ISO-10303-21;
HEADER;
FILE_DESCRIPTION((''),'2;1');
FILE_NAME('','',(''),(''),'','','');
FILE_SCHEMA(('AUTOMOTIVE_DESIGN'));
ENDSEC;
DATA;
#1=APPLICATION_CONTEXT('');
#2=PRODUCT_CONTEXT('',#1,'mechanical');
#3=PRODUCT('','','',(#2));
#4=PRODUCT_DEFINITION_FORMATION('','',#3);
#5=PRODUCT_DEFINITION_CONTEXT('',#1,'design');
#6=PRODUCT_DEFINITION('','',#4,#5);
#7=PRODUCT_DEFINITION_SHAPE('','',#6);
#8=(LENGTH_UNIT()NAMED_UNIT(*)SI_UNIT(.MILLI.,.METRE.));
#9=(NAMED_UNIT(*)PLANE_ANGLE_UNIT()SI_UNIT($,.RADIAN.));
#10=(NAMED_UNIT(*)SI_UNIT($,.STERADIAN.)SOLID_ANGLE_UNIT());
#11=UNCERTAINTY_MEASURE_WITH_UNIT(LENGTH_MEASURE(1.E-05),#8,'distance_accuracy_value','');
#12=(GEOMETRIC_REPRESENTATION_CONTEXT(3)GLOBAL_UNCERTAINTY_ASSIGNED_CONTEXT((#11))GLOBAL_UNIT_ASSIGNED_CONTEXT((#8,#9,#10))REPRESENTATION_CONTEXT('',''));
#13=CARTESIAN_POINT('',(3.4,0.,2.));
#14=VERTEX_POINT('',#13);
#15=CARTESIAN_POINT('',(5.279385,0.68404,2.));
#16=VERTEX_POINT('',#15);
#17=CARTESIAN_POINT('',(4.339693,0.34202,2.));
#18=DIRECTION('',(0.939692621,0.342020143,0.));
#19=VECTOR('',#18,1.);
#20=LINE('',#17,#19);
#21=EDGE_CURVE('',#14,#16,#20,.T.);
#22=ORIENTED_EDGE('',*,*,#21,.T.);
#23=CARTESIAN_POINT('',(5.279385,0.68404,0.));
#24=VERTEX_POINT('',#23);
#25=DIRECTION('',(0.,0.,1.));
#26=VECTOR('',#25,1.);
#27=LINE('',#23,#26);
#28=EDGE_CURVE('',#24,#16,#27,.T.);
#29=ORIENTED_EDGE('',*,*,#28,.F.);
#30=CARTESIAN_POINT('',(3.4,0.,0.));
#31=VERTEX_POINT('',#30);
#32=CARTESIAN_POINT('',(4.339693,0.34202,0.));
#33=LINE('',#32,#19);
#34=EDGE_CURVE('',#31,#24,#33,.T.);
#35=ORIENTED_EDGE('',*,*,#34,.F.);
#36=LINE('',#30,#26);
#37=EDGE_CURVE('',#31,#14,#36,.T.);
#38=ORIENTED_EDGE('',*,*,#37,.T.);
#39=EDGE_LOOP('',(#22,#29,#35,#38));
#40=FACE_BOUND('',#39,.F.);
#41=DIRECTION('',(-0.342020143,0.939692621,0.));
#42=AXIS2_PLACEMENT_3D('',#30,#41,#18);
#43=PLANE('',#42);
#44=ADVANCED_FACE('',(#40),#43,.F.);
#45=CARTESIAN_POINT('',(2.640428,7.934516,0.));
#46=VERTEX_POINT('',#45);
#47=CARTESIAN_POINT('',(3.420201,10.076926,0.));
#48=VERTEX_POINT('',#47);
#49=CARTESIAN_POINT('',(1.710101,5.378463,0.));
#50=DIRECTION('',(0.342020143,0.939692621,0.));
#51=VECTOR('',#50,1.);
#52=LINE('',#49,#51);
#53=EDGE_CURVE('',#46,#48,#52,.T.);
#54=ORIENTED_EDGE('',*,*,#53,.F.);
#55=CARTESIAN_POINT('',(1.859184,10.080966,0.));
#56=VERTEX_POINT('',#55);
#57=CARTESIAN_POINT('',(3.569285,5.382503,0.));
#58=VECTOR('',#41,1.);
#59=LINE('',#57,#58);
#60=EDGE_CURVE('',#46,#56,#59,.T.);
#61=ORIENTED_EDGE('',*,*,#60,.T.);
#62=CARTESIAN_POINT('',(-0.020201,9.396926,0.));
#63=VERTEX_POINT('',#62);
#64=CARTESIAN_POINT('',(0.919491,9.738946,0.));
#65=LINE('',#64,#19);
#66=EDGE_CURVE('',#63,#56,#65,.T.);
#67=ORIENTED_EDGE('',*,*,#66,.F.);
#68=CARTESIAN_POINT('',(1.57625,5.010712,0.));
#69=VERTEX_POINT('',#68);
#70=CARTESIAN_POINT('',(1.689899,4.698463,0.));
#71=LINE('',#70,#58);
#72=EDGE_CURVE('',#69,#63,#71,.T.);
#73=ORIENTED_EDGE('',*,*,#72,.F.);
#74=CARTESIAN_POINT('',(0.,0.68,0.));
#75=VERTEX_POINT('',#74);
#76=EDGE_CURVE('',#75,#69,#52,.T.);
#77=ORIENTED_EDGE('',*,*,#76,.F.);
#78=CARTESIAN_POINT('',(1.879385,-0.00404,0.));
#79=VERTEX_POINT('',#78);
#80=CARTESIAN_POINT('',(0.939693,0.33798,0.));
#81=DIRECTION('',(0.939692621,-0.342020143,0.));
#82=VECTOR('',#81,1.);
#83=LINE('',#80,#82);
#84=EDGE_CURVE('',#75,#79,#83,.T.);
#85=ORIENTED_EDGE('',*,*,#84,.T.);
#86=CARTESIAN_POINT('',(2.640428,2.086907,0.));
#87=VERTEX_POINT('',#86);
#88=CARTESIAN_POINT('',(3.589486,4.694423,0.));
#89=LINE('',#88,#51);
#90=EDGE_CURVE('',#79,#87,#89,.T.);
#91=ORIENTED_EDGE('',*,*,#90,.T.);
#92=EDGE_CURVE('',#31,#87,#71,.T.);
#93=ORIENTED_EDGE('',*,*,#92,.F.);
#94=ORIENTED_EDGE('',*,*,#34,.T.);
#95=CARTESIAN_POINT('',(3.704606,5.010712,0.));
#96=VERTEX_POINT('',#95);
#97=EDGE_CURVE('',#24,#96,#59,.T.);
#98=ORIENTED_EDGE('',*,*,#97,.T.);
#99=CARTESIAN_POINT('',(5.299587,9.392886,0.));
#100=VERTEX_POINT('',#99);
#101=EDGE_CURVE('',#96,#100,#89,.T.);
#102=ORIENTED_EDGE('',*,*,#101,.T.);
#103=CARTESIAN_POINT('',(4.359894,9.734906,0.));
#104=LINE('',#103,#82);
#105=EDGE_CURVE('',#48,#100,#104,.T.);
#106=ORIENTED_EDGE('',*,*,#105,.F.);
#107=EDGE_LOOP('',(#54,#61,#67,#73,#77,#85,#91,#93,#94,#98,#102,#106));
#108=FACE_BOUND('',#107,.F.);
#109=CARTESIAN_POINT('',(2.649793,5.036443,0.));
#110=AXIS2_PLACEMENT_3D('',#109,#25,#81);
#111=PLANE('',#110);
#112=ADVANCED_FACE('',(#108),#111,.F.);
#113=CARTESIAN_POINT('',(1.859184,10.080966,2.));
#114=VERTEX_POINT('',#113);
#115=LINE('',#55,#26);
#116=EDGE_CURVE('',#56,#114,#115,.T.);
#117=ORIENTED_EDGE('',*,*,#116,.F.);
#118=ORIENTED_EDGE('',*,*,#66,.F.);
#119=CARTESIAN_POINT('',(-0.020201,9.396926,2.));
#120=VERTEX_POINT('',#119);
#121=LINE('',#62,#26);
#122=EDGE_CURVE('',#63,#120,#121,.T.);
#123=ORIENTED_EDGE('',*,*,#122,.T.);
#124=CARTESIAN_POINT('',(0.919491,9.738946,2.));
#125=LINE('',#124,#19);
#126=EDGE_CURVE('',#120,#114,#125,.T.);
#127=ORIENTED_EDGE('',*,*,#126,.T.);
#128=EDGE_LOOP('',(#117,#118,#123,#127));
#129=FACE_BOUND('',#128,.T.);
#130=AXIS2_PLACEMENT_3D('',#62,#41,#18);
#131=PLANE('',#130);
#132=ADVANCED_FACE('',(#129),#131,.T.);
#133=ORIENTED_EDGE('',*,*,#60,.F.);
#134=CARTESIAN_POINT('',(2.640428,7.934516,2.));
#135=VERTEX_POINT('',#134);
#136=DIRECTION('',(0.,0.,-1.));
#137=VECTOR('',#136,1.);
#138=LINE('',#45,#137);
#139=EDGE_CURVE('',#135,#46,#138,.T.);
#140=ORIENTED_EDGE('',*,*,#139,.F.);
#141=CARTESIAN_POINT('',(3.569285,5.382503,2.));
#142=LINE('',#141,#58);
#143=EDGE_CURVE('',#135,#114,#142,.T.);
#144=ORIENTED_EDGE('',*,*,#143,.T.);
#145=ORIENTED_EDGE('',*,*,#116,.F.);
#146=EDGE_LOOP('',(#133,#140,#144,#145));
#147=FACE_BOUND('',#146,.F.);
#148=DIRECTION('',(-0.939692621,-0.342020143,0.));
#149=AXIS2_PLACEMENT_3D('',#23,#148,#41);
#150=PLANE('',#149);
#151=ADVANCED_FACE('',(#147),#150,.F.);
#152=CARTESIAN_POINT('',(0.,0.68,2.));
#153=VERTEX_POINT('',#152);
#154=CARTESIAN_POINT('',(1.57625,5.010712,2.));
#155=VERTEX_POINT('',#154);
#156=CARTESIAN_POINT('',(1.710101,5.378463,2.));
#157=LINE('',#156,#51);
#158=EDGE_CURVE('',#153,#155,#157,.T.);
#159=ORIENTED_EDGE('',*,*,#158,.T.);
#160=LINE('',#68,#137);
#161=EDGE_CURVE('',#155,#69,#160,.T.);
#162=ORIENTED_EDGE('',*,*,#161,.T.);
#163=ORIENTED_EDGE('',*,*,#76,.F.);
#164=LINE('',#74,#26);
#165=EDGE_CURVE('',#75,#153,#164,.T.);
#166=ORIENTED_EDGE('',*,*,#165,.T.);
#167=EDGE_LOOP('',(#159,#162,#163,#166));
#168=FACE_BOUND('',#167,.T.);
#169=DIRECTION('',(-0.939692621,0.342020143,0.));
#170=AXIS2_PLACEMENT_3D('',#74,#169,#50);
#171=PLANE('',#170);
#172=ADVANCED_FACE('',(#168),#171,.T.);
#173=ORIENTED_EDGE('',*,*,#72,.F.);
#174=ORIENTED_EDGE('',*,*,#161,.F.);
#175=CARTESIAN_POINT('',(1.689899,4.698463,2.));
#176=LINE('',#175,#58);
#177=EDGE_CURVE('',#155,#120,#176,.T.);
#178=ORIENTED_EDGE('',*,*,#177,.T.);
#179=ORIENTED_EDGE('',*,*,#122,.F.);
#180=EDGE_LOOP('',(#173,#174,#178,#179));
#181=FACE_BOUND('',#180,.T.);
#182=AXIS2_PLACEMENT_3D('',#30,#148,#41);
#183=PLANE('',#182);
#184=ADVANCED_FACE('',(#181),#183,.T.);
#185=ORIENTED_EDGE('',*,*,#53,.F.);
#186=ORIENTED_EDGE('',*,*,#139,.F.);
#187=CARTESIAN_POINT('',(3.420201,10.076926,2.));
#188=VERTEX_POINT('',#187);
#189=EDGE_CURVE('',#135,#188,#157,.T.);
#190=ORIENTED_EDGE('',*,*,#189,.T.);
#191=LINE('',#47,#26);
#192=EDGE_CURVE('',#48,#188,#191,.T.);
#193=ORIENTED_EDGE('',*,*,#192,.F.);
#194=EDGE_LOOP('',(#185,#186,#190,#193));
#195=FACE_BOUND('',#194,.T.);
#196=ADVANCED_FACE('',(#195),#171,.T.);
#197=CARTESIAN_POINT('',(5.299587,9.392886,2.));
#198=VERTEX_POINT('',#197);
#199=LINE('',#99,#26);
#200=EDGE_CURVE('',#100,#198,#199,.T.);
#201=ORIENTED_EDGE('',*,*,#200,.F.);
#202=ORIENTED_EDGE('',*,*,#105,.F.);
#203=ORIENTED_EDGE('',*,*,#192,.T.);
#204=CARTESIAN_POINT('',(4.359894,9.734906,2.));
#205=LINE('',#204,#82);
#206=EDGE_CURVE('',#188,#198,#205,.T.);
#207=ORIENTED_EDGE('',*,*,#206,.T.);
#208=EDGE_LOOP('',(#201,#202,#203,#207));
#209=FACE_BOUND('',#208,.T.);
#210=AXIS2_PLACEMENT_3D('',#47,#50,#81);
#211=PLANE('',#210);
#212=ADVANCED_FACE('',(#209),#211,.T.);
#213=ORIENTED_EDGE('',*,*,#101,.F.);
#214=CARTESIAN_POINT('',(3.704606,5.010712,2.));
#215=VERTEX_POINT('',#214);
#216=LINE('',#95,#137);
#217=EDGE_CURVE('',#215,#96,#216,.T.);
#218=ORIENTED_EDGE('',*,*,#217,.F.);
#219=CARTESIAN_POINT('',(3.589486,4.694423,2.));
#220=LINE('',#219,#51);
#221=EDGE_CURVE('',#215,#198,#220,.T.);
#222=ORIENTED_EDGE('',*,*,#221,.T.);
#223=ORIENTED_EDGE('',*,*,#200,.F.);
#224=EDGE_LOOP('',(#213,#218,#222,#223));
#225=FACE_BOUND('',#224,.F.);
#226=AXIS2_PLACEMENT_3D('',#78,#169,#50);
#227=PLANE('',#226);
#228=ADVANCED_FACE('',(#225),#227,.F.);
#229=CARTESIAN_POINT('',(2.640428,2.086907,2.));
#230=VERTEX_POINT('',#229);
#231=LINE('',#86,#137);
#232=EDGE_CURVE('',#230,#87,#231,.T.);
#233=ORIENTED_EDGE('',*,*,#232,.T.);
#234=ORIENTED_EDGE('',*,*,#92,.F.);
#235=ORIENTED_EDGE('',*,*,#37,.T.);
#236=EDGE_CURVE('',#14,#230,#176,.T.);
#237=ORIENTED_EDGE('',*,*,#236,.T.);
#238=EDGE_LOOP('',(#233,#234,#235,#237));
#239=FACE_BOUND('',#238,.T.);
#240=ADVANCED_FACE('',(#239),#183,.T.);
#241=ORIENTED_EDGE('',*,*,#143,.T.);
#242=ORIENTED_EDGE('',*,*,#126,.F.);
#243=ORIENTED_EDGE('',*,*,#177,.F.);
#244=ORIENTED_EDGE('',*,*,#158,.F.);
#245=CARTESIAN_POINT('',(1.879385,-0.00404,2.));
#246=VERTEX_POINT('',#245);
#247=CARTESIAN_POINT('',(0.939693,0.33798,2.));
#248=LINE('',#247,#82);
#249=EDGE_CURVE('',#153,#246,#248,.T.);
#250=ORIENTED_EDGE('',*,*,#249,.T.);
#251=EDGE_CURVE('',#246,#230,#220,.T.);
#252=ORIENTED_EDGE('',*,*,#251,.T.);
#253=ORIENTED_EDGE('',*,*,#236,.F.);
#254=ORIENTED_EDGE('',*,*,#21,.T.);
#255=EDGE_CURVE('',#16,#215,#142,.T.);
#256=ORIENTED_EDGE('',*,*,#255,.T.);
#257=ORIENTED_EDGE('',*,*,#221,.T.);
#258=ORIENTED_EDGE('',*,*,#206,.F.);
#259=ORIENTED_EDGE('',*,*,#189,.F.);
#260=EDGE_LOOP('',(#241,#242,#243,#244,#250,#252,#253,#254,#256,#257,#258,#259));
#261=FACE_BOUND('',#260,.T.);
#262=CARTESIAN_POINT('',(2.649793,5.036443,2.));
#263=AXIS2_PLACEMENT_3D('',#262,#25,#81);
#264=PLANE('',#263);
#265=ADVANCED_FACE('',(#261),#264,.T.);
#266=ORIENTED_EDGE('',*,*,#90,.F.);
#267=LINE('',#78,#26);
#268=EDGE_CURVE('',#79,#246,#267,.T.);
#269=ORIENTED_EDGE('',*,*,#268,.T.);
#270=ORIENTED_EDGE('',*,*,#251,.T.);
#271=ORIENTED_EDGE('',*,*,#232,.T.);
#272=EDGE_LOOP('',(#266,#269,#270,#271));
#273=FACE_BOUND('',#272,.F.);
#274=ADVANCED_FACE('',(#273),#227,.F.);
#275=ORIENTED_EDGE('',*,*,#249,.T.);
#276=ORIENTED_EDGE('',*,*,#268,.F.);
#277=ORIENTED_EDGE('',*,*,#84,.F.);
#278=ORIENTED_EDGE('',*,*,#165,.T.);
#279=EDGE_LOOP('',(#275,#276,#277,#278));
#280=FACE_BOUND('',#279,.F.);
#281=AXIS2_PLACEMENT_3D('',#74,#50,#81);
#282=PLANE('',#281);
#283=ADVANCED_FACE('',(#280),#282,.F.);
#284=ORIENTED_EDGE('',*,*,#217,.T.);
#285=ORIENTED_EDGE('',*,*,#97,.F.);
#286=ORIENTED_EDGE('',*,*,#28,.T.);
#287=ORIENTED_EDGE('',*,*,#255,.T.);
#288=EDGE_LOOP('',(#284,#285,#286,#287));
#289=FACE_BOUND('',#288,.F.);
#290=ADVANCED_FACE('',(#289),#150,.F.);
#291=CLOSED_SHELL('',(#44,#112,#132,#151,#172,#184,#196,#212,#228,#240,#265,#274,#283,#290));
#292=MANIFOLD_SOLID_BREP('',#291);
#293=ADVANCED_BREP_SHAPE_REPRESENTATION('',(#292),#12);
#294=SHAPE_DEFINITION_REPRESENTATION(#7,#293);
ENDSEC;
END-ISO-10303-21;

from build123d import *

# Parameters (mm, degrees)
BOX001_W               = 2
BOX001_H               = 10
BOX001_DEPTH           = 2
BOX001_PLACEMENT_ANGLE = 340
BOX_W                  = 2
BOX_H                  = 10
BOX_DEPTH              = 2
BOX_PLACEMENT_ANGLE    = 20


with BuildPart() as cub001:
    # Box001 → Box001 (new body)
    with BuildSketch(Plane.XY):
        with Locations((1, 5)):
            Rectangle(BOX001_W, BOX001_H)
    extrude(amount=BOX001_DEPTH)


with BuildPart() as cub001_1:
    # Box001 placement: moved
    add(cub001.part.moved(Location((0, 0.68, 0))).rotate(Axis((0, 0.68, 0), (0, 0, 1)), BOX001_PLACEMENT_ANGLE))


with BuildPart() as fusion:
    # Box → Box (new body)
    with BuildSketch(Plane.XY):
        with Locations((1, 5)):
            Rectangle(BOX_W, BOX_H)
    extrude(amount=BOX_DEPTH)


with BuildPart() as fusion_1:
    # Box placement: moved
    add(fusion.part.moved(Location((3.4, 0, 0))).rotate(Axis((3.4, 0, 0), (0, 0, 1)), BOX_PLACEMENT_ANGLE))

    # Fusion: union Cub001
    add(cub001_1.part)


solid = fusion_1.part
